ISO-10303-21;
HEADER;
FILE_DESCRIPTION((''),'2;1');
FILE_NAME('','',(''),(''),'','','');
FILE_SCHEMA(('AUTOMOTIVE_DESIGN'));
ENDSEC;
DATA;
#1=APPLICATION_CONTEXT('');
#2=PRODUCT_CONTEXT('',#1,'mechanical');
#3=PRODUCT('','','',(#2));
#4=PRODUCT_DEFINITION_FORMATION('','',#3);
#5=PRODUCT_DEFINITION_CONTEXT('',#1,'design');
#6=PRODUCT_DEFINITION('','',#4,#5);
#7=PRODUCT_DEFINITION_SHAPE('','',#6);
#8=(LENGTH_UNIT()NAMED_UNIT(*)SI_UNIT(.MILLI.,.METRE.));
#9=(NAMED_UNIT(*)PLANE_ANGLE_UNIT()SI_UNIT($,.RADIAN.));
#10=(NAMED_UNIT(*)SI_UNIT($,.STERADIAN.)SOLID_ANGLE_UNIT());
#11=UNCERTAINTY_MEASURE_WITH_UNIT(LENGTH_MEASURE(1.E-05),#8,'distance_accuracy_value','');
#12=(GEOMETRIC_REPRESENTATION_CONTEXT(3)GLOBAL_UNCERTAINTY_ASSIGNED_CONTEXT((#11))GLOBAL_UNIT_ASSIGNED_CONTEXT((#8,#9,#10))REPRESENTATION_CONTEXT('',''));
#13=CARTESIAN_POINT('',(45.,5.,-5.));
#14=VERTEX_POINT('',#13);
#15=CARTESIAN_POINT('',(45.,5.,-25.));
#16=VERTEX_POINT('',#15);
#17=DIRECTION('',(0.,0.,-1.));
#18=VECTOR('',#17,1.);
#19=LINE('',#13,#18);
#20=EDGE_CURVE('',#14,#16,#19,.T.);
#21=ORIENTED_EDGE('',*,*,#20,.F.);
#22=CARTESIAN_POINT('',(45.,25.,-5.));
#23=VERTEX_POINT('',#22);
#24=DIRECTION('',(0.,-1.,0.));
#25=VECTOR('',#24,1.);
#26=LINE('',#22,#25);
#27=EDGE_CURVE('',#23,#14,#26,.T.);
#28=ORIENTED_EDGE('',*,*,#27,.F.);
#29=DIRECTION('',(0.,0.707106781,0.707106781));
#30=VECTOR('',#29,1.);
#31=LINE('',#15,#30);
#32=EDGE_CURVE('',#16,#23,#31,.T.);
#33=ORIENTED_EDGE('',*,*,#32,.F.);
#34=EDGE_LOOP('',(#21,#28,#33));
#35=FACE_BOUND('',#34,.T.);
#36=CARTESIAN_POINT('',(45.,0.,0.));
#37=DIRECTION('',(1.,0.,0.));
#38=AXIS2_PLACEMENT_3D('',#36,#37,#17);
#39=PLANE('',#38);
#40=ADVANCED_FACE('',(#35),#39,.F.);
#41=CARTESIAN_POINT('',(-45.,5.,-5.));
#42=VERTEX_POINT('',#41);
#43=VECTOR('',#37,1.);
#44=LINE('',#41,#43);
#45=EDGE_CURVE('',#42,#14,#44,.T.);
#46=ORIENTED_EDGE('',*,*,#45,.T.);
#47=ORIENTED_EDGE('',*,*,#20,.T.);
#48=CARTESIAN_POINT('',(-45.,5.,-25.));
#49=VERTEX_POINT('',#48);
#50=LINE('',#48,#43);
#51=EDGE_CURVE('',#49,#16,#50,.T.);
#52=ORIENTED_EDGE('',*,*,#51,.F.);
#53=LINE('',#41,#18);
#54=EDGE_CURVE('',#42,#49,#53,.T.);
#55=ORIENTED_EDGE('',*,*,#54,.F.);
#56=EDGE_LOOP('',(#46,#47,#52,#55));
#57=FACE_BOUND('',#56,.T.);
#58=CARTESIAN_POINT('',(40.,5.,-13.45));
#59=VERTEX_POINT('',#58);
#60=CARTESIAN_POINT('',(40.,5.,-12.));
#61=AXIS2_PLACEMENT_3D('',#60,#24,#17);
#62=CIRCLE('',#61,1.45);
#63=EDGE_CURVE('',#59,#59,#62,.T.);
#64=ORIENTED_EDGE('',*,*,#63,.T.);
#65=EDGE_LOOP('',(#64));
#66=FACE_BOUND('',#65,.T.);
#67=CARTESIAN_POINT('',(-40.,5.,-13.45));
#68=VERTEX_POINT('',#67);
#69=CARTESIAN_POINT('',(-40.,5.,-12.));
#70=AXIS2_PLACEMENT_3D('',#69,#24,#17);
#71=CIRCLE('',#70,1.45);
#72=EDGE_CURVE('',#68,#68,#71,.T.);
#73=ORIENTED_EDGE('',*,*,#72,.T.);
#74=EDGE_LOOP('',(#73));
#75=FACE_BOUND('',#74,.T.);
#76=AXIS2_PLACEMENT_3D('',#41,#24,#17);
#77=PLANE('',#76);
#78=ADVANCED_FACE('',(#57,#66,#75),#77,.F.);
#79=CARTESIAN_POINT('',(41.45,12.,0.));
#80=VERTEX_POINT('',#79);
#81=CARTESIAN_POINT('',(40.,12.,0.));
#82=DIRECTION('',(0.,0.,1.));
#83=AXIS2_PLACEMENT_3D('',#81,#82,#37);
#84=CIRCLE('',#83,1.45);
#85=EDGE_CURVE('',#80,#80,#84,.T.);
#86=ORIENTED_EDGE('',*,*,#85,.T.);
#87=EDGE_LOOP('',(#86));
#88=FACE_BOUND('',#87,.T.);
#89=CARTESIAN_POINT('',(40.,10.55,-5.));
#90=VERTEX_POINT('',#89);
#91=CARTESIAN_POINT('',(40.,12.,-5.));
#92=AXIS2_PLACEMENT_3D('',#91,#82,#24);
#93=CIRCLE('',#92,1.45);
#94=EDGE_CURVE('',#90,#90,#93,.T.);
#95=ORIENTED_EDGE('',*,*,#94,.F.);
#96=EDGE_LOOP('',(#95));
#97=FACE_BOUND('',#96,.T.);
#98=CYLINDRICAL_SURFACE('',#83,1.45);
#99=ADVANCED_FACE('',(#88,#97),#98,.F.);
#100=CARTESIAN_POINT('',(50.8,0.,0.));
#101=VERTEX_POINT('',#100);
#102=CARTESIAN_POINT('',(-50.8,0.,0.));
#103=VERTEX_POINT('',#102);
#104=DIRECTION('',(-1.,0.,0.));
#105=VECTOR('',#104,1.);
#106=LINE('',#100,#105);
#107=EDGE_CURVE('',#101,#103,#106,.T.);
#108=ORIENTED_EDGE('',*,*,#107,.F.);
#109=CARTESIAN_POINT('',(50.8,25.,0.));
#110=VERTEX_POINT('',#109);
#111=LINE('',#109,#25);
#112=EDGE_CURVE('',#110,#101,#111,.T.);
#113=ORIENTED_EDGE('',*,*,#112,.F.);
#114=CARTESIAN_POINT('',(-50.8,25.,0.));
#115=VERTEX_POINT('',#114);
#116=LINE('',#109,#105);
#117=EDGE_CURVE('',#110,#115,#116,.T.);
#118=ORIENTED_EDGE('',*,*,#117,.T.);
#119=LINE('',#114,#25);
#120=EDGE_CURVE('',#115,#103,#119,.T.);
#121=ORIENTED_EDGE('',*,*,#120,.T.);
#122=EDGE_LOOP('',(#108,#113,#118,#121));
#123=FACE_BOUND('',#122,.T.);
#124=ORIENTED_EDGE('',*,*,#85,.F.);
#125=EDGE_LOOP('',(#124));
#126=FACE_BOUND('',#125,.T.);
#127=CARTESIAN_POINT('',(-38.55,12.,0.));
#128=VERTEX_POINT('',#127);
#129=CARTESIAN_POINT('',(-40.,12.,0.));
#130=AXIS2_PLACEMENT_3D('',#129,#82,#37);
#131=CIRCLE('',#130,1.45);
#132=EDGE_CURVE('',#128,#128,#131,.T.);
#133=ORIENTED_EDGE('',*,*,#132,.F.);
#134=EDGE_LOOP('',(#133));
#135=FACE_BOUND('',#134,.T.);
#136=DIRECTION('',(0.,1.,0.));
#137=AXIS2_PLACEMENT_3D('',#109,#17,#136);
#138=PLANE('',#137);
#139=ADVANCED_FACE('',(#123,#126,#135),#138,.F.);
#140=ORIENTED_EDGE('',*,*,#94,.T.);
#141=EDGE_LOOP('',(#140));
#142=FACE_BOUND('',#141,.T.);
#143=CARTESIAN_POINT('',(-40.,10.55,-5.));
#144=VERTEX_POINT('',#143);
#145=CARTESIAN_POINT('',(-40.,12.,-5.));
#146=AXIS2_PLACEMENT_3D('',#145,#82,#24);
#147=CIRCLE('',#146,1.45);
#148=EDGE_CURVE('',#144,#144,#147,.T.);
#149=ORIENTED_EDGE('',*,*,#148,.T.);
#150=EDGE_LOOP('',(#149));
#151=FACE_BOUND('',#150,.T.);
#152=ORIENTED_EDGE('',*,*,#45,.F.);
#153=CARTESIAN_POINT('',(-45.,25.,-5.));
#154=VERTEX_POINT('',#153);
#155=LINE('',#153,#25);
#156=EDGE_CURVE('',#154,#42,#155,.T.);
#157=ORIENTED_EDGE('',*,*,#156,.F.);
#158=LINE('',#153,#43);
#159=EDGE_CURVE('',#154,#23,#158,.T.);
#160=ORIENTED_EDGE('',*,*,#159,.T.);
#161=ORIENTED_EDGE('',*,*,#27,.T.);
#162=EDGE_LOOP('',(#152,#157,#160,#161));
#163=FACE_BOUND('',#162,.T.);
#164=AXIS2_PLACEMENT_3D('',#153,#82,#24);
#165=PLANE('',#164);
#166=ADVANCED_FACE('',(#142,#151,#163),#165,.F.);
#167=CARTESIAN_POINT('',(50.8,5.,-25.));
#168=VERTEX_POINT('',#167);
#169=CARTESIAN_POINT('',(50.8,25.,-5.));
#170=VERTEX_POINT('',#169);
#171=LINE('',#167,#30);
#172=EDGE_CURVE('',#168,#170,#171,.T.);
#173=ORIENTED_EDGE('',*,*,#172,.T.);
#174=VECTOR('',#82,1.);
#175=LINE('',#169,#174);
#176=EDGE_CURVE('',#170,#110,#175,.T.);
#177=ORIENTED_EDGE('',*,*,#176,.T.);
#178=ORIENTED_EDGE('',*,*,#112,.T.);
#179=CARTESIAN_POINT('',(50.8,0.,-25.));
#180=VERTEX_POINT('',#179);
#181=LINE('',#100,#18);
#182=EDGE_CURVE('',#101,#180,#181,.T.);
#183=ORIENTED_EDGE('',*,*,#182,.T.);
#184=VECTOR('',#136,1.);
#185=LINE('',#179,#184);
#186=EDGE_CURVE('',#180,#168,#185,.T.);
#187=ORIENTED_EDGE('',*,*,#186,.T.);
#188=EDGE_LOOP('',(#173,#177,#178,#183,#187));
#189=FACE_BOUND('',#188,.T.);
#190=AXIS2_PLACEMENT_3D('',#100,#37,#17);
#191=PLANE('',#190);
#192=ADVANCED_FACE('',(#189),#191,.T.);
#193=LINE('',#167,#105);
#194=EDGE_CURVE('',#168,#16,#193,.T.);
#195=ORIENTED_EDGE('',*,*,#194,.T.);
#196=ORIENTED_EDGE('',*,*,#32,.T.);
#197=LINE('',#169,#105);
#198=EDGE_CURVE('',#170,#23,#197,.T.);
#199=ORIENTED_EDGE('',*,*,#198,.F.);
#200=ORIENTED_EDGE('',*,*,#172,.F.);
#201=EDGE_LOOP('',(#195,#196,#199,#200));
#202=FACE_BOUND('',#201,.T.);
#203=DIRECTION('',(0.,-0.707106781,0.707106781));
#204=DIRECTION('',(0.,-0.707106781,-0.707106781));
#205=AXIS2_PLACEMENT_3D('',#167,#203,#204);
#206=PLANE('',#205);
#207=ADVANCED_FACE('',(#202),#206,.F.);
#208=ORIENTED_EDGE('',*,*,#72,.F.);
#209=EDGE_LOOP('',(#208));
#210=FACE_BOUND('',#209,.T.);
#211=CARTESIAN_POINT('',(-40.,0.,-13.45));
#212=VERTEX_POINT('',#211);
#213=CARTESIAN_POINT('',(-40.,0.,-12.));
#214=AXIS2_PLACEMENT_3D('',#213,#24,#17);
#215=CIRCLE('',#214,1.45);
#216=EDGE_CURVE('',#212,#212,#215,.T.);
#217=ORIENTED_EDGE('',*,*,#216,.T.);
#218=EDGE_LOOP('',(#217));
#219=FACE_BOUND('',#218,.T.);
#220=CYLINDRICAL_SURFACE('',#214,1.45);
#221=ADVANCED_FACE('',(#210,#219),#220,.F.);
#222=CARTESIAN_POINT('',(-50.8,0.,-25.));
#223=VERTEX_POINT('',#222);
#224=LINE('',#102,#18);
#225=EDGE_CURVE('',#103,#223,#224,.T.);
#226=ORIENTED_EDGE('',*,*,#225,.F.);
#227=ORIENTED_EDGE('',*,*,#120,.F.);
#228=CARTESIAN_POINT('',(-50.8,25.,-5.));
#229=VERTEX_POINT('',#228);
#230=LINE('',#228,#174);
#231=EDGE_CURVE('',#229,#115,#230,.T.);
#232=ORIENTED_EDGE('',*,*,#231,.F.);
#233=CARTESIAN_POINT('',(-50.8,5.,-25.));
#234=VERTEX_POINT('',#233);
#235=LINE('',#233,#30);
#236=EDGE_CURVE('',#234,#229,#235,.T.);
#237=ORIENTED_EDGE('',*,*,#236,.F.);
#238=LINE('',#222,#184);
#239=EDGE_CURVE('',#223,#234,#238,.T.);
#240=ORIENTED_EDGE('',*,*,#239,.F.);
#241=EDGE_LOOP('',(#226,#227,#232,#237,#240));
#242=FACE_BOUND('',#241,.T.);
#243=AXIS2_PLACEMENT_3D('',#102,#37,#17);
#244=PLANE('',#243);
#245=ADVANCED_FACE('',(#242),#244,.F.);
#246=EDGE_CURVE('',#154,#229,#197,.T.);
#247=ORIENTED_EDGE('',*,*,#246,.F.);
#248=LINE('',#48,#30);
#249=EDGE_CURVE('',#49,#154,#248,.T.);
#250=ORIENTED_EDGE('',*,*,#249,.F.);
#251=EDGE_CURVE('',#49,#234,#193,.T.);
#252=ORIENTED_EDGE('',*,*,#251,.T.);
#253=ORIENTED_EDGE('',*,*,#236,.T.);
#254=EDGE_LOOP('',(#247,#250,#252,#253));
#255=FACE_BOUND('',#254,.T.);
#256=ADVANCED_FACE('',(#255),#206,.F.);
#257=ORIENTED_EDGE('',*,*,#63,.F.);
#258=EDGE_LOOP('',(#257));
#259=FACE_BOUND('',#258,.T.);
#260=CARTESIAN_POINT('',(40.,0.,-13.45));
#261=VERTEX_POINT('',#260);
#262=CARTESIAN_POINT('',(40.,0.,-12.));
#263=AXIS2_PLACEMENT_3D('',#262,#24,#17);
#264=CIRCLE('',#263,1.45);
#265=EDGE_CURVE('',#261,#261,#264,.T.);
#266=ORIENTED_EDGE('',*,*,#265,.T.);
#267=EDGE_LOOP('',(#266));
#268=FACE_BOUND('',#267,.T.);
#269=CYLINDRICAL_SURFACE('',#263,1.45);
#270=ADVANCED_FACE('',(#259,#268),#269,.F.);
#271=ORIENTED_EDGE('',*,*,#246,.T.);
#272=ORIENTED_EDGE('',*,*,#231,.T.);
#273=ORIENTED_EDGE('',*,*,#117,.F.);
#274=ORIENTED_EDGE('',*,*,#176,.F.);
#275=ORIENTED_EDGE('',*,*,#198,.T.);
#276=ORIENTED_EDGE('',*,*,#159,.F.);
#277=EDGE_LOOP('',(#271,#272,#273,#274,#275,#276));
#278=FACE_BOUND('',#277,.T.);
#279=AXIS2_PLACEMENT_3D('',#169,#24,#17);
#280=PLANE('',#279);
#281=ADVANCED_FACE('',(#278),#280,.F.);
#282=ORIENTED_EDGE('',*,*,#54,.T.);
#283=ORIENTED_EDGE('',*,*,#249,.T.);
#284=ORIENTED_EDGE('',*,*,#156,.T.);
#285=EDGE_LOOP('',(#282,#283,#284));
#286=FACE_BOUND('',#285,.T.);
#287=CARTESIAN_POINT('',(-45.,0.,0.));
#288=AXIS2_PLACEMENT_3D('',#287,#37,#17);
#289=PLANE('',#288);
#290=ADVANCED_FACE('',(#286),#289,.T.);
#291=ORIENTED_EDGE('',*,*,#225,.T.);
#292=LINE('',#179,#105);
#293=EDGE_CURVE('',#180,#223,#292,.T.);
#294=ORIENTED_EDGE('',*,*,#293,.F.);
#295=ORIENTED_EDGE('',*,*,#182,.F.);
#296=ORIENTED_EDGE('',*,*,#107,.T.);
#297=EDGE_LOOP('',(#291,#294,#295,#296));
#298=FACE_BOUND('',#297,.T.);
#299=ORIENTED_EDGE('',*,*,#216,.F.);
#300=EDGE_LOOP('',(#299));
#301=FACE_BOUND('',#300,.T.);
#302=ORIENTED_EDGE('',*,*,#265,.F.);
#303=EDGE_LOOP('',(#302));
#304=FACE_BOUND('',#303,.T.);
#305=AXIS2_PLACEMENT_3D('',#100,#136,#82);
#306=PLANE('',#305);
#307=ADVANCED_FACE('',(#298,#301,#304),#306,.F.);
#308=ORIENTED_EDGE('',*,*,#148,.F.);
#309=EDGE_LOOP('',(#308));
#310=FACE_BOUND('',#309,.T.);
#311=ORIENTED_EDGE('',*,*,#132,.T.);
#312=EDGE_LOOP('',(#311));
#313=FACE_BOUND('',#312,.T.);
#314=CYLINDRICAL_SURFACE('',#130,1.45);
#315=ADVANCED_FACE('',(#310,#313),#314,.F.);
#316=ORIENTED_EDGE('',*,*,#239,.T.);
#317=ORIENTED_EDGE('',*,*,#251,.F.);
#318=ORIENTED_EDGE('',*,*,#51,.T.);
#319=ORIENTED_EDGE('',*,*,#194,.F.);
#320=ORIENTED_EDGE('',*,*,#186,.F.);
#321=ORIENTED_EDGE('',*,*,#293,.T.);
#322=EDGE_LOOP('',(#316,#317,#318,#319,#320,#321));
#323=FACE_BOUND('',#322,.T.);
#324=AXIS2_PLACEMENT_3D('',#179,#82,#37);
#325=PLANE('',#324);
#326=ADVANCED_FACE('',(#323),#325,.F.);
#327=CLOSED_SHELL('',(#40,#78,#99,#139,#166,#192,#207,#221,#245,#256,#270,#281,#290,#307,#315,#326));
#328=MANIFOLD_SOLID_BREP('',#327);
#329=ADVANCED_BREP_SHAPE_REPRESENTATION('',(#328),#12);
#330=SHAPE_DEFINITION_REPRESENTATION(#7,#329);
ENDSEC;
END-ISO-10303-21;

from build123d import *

# Parameters (mm, degrees)
BOSS_EXTRUDE1_START = -50.8
BOSS_EXTRUDE1_DEPTH = 101.6
HOLLOW_START        = 45
SKETCH3_W           = 20
SKETCH3_H           = 20
HOLLOW_DEPTH        = 90
BOTTOM_HOLES_D      = 2.9
FRONT_HOLES_D       = 2.9


with BuildPart() as part:
    # Sketch1 → Boss-Extrude1 (new body)
    with BuildSketch(Plane(origin=(0, 0, 0), x_dir=(0, 0, -1), z_dir=(1, 0, 0)).offset(BOSS_EXTRUDE1_START)):
        Polygon((0, 25), (0, 0), (25, 0), (25, 5), (5, 25), align=None)
    extrude(amount=BOSS_EXTRUDE1_DEPTH)

    # Sketch3 → hollow (cut)
    with BuildSketch(Plane(origin=(0, 0, 0), x_dir=(0, 0, -1), z_dir=(1, 0, 0)).offset(HOLLOW_START)):
        with Locations((15, 15)):
            Rectangle(SKETCH3_W, SKETCH3_H)
    extrude(amount=-HOLLOW_DEPTH, mode=Mode.SUBTRACT)

    # bottom holes (through all)
    with Locations(Plane(origin=(0, 0, 0), x_dir=(-1, 0, 0), z_dir=(0, -1, 0))):
        with Locations((40, 12), (-40, 12)):
            Hole(BOTTOM_HOLES_D / 2)

    # front holes (through all)
    with Locations(Plane.XY):
        with Locations((-40, 12), (40, 12)):
            Hole(FRONT_HOLES_D / 2)


solid = part.part
